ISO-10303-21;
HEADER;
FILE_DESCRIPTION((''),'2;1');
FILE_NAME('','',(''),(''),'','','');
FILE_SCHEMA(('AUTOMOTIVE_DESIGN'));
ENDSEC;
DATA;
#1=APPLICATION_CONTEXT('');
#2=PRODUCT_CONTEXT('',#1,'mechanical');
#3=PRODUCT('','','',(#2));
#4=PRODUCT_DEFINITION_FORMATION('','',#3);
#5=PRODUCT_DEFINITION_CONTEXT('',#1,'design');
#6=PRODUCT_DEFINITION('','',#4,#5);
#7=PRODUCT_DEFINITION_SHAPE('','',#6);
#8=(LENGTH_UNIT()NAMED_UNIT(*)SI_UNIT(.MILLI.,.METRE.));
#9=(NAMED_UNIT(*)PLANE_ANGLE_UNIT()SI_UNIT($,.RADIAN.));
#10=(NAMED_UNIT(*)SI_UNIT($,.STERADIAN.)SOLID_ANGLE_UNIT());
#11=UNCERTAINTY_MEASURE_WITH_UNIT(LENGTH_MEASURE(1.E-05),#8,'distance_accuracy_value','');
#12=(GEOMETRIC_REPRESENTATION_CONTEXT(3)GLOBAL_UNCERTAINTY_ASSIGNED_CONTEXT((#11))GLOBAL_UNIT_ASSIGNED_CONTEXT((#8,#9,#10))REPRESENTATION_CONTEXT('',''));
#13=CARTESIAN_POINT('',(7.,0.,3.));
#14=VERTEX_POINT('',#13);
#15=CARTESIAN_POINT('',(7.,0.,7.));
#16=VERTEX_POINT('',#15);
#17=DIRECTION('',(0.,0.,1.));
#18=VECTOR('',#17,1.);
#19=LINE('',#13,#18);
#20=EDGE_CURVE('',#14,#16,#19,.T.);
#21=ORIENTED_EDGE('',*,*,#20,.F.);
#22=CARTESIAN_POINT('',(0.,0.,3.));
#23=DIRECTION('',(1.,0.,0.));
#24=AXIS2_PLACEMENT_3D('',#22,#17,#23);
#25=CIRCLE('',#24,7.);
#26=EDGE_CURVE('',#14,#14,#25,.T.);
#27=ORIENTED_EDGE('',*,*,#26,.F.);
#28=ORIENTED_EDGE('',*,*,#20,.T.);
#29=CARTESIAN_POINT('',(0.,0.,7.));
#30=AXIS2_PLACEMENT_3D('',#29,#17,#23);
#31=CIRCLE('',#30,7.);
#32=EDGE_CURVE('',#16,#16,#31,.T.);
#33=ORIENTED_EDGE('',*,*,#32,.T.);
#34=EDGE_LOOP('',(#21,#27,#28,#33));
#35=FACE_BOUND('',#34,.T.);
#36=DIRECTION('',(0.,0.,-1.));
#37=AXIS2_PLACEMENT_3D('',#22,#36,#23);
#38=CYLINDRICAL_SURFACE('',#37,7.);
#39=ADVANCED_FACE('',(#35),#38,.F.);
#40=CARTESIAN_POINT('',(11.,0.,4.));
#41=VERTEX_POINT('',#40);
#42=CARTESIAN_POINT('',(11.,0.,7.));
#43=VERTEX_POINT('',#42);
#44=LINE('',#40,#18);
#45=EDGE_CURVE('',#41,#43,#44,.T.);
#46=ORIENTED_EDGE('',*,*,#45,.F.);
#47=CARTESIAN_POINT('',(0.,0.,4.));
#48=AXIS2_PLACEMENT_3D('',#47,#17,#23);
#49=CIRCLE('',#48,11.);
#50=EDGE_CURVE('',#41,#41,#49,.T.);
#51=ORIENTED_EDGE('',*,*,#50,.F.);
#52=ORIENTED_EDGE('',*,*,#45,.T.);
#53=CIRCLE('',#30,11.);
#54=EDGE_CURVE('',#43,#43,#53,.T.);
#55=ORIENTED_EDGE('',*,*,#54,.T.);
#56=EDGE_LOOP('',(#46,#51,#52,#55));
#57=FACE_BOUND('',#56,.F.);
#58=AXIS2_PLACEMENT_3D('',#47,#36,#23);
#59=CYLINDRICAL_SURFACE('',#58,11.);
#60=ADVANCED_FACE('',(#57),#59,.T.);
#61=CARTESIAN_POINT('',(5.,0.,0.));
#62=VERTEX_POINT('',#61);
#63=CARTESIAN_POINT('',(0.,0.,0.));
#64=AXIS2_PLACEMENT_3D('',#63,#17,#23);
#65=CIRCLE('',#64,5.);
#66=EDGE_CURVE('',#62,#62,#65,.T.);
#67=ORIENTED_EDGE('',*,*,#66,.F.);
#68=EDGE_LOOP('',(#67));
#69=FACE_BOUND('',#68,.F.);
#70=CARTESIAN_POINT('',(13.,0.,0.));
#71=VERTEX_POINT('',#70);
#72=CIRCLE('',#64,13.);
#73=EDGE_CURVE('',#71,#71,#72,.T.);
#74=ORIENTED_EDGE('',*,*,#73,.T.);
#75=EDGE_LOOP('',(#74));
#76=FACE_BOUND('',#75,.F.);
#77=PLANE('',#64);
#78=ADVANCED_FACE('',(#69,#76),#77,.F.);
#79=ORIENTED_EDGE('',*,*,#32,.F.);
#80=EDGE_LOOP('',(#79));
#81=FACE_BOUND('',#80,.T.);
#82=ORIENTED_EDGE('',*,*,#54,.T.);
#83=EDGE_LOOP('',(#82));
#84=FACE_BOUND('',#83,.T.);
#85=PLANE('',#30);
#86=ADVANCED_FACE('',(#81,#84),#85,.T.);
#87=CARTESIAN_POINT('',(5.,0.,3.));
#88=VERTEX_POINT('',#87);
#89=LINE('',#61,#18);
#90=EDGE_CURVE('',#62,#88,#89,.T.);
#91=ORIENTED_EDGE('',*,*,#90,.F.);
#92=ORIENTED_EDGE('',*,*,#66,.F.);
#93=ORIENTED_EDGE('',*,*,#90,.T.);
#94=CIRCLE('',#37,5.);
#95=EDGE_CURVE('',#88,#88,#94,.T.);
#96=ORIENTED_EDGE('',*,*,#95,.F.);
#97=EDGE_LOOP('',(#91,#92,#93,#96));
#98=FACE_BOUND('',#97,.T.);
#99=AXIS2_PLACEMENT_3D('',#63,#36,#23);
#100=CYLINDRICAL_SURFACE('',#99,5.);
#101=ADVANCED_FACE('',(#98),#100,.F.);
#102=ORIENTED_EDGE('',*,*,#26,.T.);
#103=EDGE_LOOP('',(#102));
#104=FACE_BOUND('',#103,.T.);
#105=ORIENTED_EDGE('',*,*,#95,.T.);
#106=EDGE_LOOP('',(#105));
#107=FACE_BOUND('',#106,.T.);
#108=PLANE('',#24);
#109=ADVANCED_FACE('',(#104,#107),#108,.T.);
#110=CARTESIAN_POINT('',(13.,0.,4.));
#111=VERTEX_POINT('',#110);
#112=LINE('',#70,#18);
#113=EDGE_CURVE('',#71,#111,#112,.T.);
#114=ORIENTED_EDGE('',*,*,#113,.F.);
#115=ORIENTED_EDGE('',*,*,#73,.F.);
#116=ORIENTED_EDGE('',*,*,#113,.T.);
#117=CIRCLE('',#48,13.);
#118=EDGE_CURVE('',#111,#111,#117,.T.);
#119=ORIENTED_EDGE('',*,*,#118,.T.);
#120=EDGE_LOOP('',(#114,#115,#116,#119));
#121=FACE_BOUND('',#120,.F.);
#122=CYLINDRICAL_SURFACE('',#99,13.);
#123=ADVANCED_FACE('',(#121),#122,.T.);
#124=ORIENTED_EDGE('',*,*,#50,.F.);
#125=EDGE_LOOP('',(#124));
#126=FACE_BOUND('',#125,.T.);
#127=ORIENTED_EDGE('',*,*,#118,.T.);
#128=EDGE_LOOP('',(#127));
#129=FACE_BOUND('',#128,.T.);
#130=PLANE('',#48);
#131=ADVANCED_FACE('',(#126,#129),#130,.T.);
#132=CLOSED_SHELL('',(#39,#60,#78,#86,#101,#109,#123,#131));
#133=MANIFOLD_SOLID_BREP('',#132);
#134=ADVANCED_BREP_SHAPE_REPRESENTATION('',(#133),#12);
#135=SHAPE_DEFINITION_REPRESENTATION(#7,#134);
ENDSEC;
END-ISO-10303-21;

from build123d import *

# Parameters (mm, degrees)
CYLINDER003_R     = 7
CYLINDER003_DEPTH = 4
CYLINDER002_R     = 5
CYLINDER002_DEPTH = 7
CYLINDER001_R     = 11
CYLINDER001_DEPTH = 3
CYLINDER_R        = 13
CYLINDER_DEPTH    = 4


with BuildPart() as cilindro003:
    # Cylinder003 → Cylinder003 (new body)
    with BuildSketch(Plane.XY.offset(3)):
        Circle(CYLINDER003_R)
    extrude(amount=CYLINDER003_DEPTH)


with BuildPart() as cilindro002:
    # Cylinder002 → Cylinder002 (new body)
    with BuildSketch(Plane.XY):
        Circle(CYLINDER002_R)
    extrude(amount=CYLINDER002_DEPTH)


with BuildPart() as cilindro001:
    # Cylinder001 → Cylinder001 (new body)
    with BuildSketch(Plane.XY.offset(4)):
        Circle(CYLINDER001_R)
    extrude(amount=CYLINDER001_DEPTH)


with BuildPart() as cut001:
    # Cylinder → Cylinder (new body)
    with BuildSketch(Plane.XY):
        Circle(CYLINDER_R)
    extrude(amount=CYLINDER_DEPTH)

    # Fusion: union Cilindro001
    add(cilindro001.part)

    # Cut: cut Cilindro002
    add(cilindro002.part, mode=Mode.SUBTRACT)

    # Cut001: cut Cilindro003
    add(cilindro003.part, mode=Mode.SUBTRACT)


solid = cut001.part
